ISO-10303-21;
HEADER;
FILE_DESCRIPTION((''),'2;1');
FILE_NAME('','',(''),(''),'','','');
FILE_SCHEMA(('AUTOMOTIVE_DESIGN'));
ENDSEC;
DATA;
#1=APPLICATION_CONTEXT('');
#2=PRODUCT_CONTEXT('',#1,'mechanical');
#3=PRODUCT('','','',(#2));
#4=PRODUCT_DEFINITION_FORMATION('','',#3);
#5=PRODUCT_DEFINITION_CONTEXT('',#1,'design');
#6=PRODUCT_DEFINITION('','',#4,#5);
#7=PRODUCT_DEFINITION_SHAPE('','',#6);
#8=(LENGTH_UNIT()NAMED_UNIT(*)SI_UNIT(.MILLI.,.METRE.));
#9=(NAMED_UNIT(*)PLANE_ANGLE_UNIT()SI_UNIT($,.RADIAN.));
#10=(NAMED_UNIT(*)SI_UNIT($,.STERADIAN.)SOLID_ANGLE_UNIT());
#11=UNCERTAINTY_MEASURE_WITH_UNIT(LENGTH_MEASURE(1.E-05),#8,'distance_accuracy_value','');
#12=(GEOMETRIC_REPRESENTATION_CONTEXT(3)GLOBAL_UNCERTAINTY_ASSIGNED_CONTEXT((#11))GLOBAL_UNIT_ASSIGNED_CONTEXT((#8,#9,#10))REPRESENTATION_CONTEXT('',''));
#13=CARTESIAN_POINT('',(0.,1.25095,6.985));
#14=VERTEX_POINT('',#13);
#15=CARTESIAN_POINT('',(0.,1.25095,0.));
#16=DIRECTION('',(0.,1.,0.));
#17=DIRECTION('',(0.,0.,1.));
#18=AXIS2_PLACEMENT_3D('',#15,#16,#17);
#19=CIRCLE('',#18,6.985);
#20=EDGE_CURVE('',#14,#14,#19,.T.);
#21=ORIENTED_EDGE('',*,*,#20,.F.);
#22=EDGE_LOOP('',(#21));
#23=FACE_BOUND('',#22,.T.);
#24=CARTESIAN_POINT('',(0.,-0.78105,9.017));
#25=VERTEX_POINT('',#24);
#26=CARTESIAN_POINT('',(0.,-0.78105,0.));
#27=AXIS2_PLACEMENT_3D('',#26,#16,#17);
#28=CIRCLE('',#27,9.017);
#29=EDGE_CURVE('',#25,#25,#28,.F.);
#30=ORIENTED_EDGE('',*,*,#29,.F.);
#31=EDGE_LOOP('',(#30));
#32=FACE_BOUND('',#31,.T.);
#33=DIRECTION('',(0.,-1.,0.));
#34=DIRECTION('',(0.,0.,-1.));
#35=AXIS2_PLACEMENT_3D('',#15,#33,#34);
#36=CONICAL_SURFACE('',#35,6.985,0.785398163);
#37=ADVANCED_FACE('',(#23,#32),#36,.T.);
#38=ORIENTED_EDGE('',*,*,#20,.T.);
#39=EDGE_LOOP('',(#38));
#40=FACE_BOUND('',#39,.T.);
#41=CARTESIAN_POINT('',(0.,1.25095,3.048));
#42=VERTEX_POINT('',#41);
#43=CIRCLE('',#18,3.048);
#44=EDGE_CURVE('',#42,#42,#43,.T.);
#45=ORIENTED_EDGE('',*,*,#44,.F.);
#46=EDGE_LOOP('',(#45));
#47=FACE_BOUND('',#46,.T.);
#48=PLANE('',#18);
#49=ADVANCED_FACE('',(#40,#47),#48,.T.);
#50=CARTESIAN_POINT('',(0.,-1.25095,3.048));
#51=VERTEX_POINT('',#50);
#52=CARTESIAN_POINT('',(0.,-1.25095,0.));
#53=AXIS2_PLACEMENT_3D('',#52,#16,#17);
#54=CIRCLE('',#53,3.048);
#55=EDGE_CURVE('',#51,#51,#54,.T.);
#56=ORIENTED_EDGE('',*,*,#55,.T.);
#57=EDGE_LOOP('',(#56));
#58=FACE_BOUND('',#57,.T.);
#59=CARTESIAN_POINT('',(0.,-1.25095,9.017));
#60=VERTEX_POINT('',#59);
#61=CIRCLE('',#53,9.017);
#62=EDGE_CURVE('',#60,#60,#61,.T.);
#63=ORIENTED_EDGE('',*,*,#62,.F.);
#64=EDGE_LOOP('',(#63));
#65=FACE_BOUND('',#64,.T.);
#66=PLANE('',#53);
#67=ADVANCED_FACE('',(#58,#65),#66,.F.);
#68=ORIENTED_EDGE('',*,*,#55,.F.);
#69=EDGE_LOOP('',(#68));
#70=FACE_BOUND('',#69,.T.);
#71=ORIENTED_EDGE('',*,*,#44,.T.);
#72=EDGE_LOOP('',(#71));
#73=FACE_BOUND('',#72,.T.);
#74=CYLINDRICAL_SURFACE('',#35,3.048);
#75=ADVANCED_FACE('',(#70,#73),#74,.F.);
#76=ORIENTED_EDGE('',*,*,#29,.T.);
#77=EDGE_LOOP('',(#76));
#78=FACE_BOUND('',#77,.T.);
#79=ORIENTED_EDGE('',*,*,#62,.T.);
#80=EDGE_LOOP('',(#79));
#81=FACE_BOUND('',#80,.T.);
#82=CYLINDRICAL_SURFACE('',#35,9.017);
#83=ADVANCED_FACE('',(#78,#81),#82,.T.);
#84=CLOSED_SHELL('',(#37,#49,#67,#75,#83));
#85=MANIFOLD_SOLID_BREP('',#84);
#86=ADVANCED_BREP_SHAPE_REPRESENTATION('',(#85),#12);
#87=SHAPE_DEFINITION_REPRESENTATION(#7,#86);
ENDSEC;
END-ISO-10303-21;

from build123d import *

# Parameters (mm, degrees)
SKETCH1_R           = 9.017
SKETCH1_R_2         = 3.048
BOSS_EXTRUDE1_DEPTH = 1.25095
CHAMFER1_SIZE       = 2.032


with BuildPart() as part:
    # Sketch1 → Boss-Extrude1 (new, symmetric)
    with BuildSketch(Plane(origin=(0, 0, 0), x_dir=(1, 0, 0), z_dir=(0, 1, 0))):
        with Locations(Location((0, 0, 0), (0, 0, 270))):
            Circle(SKETCH1_R)
        with Locations(Location((0, 0, 0), (0, 0, 270))):
            Circle(SKETCH1_R_2, mode=Mode.SUBTRACT)
    extrude(amount=BOSS_EXTRUDE1_DEPTH, both=True)

    # Chamfer1
    chamfer1_edges = [part.edges().sort_by_distance(p)[0] for p in [
        (0, 1.25095, -9.017),
    ]]
    chamfer(chamfer1_edges, length=CHAMFER1_SIZE)


solid = part.part
